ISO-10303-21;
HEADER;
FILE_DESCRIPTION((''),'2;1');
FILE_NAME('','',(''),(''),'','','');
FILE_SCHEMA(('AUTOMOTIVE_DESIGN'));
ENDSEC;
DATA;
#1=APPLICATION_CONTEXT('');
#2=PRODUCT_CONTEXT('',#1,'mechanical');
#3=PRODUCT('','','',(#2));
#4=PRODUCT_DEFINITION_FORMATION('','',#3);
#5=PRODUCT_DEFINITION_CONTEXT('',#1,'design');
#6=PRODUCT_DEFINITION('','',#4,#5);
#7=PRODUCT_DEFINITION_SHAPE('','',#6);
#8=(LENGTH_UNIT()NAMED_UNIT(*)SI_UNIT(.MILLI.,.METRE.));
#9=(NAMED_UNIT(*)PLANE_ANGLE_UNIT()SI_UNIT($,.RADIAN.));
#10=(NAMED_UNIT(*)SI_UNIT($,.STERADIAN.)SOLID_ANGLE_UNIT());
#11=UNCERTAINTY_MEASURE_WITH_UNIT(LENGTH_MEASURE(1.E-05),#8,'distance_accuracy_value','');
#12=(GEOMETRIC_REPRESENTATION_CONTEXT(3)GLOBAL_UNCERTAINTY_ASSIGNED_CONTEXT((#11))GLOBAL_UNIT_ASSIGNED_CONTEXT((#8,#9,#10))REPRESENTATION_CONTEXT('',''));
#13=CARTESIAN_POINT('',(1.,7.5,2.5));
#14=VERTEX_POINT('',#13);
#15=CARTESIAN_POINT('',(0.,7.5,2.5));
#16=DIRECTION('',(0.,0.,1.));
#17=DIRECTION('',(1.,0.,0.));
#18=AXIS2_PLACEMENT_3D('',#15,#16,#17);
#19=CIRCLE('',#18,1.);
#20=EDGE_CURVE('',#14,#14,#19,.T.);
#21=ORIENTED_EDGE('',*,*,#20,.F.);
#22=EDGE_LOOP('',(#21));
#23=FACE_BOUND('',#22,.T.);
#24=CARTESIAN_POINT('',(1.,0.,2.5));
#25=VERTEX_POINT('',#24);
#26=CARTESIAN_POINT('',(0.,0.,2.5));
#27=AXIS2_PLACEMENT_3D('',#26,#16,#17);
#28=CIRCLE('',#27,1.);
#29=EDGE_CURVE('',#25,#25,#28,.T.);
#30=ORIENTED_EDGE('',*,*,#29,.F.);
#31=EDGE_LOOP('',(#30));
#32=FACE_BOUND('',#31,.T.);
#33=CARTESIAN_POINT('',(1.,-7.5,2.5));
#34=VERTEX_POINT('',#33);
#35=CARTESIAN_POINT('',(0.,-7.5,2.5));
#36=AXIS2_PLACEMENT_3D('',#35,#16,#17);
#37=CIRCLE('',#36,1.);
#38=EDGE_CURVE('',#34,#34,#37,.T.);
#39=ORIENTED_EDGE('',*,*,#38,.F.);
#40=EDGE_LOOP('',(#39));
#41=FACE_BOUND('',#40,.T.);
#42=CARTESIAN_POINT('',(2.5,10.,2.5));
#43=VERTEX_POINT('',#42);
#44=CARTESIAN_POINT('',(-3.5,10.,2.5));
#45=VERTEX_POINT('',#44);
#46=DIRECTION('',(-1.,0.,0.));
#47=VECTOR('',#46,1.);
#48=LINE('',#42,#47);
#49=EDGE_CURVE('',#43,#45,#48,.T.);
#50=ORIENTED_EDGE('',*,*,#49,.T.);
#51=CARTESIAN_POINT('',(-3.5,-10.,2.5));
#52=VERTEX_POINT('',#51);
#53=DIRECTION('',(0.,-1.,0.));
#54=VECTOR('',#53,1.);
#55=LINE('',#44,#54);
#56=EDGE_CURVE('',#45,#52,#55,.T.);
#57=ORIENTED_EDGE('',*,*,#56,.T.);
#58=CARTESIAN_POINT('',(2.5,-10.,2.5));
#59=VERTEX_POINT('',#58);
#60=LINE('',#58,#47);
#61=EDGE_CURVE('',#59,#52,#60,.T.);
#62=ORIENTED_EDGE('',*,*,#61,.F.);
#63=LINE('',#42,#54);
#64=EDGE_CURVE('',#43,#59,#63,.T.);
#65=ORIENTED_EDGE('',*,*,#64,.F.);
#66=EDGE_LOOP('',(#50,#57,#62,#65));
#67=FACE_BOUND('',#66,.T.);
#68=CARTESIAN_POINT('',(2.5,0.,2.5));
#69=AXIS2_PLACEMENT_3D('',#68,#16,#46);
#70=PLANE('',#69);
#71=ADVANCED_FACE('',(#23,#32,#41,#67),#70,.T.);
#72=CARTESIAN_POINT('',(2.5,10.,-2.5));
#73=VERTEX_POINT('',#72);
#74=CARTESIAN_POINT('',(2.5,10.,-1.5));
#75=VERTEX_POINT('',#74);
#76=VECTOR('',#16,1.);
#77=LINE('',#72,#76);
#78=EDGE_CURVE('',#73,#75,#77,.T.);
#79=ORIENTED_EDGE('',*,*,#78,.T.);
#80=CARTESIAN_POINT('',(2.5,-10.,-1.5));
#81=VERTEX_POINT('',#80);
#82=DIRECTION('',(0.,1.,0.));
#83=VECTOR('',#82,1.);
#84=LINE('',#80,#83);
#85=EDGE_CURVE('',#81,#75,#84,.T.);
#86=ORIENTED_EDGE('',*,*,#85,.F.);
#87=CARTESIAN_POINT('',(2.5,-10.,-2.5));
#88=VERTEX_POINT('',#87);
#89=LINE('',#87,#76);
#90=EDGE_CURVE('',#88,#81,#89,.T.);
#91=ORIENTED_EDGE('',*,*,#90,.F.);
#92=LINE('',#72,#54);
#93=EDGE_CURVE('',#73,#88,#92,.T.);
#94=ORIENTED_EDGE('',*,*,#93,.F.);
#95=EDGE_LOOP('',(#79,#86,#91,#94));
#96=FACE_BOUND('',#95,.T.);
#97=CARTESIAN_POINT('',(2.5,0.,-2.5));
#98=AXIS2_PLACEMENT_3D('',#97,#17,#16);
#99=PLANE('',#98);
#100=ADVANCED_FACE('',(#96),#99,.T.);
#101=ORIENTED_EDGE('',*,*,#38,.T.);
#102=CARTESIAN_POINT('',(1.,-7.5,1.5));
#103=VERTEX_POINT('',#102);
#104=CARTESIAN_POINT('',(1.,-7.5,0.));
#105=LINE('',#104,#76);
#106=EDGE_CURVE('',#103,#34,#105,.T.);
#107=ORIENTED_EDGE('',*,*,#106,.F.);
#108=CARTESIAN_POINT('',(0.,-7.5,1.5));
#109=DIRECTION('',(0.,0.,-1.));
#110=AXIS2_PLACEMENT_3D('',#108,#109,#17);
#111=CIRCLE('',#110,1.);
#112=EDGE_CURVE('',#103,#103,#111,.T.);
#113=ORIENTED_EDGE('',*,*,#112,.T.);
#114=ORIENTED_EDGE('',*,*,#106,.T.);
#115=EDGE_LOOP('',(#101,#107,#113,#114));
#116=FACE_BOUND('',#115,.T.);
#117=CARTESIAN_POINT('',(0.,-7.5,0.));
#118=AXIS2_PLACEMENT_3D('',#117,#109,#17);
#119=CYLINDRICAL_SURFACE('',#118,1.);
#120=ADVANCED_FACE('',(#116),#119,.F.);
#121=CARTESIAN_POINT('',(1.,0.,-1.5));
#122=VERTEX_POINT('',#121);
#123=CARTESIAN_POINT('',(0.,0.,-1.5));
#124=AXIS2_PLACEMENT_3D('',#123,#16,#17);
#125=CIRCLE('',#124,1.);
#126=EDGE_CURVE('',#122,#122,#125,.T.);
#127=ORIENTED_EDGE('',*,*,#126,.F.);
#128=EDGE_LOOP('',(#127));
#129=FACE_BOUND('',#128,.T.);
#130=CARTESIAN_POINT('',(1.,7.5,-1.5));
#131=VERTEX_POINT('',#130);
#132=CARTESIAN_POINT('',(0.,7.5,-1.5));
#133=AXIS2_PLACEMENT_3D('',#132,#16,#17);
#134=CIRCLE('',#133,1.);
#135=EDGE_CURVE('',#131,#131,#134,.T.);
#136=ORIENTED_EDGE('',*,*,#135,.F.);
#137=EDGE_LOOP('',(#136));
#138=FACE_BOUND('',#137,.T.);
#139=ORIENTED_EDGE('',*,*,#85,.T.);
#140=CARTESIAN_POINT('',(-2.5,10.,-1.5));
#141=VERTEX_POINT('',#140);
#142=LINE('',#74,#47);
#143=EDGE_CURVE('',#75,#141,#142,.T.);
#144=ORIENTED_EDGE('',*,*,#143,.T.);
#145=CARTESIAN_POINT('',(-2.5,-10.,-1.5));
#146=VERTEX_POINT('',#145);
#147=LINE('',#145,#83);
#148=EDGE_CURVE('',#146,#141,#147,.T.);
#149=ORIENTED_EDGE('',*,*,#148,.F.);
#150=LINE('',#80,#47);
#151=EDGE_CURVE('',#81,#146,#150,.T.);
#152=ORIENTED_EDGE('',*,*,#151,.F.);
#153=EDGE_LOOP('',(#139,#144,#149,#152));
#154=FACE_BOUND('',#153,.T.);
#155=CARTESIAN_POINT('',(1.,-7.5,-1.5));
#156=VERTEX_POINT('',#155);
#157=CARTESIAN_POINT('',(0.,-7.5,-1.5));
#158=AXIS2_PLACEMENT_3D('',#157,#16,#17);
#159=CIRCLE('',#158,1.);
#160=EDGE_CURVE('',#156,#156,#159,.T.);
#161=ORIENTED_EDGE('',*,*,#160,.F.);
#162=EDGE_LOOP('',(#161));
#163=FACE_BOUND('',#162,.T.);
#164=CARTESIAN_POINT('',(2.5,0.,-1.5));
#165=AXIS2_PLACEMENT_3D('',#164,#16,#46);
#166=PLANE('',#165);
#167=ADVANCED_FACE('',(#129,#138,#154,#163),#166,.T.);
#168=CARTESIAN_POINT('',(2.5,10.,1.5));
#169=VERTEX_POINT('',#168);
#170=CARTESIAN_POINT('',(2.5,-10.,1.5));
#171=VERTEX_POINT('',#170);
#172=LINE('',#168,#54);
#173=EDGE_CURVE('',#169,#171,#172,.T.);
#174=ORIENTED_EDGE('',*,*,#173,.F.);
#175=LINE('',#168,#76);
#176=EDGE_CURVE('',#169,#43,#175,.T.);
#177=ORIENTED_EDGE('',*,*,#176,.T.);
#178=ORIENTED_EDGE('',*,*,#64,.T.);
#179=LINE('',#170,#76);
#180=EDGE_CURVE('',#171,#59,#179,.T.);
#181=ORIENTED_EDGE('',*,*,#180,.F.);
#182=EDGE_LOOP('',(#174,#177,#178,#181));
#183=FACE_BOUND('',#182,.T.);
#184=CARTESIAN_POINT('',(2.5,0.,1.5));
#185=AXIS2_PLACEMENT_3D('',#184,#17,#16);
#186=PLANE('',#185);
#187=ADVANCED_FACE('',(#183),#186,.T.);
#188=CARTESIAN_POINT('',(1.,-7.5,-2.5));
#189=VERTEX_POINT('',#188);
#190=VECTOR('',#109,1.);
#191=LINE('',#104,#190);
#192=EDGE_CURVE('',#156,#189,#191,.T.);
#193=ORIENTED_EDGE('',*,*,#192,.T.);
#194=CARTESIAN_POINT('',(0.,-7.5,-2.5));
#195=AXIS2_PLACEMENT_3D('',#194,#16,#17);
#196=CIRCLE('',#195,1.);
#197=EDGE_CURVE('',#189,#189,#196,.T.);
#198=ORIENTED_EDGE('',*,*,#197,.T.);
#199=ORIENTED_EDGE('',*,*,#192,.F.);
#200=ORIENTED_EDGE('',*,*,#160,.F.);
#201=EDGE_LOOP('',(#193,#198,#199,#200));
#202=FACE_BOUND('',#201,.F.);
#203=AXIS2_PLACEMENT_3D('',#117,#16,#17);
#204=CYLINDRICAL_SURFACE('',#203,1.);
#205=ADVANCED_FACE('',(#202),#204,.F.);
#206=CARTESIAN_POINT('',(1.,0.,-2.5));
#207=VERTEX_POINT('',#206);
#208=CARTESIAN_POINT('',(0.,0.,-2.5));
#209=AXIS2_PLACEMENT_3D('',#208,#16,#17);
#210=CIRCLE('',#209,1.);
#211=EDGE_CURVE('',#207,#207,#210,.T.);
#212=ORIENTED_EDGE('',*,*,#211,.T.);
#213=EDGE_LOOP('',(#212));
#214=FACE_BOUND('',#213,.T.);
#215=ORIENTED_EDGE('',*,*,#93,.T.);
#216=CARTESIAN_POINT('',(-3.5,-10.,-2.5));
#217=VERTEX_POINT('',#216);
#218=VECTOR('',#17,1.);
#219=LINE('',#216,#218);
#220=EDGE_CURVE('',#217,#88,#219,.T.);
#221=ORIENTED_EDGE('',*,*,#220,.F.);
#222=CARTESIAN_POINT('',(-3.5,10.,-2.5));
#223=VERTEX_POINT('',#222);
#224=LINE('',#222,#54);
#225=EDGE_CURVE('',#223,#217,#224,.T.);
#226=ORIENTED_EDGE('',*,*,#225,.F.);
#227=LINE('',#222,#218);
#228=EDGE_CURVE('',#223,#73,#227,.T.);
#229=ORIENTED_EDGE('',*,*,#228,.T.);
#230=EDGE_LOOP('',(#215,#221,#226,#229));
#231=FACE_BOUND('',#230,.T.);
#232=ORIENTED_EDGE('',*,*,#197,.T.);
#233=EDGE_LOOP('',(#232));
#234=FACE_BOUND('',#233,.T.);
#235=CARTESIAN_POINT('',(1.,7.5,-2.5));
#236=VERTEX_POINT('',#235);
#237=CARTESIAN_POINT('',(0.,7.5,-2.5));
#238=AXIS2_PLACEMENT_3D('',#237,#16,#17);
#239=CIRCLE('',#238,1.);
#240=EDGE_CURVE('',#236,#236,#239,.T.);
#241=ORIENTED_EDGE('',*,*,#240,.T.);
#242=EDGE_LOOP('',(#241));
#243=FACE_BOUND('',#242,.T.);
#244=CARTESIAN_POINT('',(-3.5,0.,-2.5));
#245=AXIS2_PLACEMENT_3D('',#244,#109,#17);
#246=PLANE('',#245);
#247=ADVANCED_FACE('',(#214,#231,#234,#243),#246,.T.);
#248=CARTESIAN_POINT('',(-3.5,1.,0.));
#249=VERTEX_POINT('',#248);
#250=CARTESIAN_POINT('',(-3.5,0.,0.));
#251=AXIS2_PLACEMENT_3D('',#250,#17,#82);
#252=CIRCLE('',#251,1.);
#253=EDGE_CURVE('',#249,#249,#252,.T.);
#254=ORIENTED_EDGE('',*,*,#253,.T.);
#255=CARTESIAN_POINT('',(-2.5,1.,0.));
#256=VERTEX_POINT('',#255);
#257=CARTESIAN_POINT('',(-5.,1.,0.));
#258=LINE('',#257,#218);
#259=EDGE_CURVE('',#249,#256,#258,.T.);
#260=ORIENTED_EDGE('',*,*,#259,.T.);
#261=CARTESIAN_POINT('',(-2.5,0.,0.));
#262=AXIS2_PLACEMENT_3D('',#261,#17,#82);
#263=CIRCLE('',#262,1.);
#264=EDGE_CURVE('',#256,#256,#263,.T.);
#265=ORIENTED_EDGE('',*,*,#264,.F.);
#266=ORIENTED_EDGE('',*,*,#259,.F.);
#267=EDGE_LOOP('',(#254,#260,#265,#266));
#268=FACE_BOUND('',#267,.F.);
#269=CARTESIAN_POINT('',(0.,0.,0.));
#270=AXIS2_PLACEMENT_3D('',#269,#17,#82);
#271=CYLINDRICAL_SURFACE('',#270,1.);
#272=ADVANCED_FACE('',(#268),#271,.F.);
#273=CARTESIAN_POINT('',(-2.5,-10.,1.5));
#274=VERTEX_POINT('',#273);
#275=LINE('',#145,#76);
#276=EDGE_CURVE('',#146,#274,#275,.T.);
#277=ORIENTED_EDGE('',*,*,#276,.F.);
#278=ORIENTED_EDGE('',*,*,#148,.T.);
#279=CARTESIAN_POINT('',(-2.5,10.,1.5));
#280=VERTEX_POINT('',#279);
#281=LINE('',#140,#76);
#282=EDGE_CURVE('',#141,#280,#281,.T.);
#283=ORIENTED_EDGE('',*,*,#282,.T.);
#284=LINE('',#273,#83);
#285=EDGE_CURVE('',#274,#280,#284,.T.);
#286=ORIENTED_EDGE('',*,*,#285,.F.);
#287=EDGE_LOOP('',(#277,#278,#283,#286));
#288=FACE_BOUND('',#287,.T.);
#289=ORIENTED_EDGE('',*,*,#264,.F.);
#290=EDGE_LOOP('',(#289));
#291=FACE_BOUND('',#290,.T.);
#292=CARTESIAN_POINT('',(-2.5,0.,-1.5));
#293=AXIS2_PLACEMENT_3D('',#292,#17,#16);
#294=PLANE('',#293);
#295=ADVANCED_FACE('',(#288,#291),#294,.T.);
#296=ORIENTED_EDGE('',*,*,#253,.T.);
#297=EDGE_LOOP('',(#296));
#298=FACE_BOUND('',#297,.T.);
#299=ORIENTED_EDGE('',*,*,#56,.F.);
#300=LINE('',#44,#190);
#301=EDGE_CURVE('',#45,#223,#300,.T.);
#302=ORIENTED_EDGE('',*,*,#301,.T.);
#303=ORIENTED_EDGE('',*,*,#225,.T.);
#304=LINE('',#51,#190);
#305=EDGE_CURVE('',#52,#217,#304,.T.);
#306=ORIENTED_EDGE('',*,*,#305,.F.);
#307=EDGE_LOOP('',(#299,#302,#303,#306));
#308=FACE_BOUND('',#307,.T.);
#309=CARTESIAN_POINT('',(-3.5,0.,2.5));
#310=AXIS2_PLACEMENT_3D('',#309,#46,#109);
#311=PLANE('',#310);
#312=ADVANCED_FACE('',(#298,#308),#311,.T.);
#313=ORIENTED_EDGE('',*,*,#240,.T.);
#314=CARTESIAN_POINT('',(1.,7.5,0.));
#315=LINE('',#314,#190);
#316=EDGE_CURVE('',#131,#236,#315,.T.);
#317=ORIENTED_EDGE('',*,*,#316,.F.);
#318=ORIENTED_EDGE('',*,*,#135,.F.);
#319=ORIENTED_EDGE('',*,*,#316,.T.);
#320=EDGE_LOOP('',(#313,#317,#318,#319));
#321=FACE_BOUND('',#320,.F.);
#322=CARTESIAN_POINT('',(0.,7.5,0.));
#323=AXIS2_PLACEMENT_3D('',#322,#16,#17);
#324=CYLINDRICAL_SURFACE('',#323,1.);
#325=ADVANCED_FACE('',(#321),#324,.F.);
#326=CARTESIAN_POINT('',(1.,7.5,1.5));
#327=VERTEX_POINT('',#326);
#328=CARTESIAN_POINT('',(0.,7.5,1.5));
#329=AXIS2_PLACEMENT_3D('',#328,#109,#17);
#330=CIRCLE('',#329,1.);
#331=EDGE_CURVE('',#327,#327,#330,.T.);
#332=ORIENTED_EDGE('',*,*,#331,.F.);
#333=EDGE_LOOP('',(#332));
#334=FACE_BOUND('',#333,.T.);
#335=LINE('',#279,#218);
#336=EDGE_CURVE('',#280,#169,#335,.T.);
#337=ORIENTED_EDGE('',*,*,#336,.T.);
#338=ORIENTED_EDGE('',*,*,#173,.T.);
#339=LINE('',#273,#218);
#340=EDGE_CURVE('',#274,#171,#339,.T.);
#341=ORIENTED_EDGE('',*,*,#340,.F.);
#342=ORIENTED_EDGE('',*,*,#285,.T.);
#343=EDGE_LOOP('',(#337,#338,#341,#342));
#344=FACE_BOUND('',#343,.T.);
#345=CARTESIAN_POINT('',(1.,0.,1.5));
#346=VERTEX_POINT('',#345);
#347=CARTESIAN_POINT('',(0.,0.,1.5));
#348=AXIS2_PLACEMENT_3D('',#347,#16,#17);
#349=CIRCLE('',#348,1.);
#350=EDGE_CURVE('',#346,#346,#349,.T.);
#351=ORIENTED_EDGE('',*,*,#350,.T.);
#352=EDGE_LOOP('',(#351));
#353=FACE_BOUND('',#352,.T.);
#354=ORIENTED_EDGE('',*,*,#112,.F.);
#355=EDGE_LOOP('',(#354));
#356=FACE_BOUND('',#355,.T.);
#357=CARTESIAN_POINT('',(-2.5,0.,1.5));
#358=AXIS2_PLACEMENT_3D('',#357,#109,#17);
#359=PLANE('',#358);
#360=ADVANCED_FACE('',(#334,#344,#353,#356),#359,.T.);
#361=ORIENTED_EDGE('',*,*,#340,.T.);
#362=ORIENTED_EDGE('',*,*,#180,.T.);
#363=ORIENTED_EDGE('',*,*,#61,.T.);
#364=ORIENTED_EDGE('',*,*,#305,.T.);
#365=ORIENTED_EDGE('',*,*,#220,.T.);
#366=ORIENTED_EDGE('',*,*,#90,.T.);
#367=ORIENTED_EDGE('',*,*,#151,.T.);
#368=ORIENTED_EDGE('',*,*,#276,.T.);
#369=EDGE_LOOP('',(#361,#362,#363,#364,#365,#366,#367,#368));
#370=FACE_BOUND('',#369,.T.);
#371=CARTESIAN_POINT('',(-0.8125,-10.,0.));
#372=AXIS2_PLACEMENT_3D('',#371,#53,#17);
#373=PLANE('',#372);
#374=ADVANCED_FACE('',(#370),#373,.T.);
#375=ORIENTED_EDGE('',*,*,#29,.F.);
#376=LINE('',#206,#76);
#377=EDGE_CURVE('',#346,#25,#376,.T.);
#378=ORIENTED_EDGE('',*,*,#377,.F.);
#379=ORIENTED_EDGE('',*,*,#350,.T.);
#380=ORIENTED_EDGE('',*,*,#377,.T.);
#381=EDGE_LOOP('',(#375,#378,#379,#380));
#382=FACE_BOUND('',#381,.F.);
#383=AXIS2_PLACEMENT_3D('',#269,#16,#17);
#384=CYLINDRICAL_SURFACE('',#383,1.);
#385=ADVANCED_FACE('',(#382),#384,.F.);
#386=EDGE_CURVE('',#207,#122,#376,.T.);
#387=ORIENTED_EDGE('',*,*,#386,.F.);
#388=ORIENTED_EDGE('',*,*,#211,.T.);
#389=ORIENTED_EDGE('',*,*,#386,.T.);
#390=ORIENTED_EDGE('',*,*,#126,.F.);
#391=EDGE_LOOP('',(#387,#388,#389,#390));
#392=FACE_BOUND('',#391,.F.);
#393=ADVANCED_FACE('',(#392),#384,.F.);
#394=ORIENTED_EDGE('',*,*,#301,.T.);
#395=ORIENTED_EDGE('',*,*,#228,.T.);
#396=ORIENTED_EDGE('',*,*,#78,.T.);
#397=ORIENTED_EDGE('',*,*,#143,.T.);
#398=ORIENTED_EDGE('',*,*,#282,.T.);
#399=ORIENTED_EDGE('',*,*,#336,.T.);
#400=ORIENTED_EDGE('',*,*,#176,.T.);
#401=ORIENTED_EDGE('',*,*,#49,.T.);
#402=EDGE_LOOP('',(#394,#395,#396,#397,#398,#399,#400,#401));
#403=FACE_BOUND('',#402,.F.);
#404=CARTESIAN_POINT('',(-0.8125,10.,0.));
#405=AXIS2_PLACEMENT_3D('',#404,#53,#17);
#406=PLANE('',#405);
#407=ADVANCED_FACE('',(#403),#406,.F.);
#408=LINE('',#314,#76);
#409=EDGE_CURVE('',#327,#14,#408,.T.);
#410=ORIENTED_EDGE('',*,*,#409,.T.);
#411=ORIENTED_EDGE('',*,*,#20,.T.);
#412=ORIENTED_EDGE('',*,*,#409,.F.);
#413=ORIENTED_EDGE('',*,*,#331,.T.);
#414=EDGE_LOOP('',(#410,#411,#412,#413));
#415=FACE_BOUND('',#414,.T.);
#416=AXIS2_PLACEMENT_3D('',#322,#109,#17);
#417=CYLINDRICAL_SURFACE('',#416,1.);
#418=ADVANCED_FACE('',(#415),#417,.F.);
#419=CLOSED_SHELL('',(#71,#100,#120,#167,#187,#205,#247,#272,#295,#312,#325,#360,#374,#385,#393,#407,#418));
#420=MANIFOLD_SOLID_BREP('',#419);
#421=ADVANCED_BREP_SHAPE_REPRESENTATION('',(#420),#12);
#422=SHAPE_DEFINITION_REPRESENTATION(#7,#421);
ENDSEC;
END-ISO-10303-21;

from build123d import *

# Parameters (mm, degrees)
F1_DEPTH = 10
F2_R     = 1
F3_DEPTH = 2.5
F4_R     = 1
F5_DEPTH = 5


with BuildPart() as f1:
    # F0 (on Front) → F1 (new body, symmetric)
    with BuildSketch(Plane.XZ):
        Polygon((-2.5, 1.5), (2.5, 1.5), (2.5, 2.5), (-3.5, 2.5), (-3.5, -2.5), (2.5, -2.5), (2.5, -1.5), (-2.5, -1.5), align=None)
    extrude(amount=F1_DEPTH, both=True)

    # F2 (on Top) → F3 (cut, symmetric)
    with BuildSketch(Plane.XY):
        with Locations((0, 7.5)):
            Circle(F2_R)
        with Locations((0, -7.5)):
            Circle(F2_R)
        Circle(F2_R)
    extrude(amount=F3_DEPTH, both=True, mode=Mode.SUBTRACT)

    # F4 (on Right) → F5 (cut, symmetric)
    with BuildSketch(Plane.YZ):
        Circle(F4_R)
    extrude(amount=F5_DEPTH, both=True, mode=Mode.SUBTRACT)


solid = f1.part
